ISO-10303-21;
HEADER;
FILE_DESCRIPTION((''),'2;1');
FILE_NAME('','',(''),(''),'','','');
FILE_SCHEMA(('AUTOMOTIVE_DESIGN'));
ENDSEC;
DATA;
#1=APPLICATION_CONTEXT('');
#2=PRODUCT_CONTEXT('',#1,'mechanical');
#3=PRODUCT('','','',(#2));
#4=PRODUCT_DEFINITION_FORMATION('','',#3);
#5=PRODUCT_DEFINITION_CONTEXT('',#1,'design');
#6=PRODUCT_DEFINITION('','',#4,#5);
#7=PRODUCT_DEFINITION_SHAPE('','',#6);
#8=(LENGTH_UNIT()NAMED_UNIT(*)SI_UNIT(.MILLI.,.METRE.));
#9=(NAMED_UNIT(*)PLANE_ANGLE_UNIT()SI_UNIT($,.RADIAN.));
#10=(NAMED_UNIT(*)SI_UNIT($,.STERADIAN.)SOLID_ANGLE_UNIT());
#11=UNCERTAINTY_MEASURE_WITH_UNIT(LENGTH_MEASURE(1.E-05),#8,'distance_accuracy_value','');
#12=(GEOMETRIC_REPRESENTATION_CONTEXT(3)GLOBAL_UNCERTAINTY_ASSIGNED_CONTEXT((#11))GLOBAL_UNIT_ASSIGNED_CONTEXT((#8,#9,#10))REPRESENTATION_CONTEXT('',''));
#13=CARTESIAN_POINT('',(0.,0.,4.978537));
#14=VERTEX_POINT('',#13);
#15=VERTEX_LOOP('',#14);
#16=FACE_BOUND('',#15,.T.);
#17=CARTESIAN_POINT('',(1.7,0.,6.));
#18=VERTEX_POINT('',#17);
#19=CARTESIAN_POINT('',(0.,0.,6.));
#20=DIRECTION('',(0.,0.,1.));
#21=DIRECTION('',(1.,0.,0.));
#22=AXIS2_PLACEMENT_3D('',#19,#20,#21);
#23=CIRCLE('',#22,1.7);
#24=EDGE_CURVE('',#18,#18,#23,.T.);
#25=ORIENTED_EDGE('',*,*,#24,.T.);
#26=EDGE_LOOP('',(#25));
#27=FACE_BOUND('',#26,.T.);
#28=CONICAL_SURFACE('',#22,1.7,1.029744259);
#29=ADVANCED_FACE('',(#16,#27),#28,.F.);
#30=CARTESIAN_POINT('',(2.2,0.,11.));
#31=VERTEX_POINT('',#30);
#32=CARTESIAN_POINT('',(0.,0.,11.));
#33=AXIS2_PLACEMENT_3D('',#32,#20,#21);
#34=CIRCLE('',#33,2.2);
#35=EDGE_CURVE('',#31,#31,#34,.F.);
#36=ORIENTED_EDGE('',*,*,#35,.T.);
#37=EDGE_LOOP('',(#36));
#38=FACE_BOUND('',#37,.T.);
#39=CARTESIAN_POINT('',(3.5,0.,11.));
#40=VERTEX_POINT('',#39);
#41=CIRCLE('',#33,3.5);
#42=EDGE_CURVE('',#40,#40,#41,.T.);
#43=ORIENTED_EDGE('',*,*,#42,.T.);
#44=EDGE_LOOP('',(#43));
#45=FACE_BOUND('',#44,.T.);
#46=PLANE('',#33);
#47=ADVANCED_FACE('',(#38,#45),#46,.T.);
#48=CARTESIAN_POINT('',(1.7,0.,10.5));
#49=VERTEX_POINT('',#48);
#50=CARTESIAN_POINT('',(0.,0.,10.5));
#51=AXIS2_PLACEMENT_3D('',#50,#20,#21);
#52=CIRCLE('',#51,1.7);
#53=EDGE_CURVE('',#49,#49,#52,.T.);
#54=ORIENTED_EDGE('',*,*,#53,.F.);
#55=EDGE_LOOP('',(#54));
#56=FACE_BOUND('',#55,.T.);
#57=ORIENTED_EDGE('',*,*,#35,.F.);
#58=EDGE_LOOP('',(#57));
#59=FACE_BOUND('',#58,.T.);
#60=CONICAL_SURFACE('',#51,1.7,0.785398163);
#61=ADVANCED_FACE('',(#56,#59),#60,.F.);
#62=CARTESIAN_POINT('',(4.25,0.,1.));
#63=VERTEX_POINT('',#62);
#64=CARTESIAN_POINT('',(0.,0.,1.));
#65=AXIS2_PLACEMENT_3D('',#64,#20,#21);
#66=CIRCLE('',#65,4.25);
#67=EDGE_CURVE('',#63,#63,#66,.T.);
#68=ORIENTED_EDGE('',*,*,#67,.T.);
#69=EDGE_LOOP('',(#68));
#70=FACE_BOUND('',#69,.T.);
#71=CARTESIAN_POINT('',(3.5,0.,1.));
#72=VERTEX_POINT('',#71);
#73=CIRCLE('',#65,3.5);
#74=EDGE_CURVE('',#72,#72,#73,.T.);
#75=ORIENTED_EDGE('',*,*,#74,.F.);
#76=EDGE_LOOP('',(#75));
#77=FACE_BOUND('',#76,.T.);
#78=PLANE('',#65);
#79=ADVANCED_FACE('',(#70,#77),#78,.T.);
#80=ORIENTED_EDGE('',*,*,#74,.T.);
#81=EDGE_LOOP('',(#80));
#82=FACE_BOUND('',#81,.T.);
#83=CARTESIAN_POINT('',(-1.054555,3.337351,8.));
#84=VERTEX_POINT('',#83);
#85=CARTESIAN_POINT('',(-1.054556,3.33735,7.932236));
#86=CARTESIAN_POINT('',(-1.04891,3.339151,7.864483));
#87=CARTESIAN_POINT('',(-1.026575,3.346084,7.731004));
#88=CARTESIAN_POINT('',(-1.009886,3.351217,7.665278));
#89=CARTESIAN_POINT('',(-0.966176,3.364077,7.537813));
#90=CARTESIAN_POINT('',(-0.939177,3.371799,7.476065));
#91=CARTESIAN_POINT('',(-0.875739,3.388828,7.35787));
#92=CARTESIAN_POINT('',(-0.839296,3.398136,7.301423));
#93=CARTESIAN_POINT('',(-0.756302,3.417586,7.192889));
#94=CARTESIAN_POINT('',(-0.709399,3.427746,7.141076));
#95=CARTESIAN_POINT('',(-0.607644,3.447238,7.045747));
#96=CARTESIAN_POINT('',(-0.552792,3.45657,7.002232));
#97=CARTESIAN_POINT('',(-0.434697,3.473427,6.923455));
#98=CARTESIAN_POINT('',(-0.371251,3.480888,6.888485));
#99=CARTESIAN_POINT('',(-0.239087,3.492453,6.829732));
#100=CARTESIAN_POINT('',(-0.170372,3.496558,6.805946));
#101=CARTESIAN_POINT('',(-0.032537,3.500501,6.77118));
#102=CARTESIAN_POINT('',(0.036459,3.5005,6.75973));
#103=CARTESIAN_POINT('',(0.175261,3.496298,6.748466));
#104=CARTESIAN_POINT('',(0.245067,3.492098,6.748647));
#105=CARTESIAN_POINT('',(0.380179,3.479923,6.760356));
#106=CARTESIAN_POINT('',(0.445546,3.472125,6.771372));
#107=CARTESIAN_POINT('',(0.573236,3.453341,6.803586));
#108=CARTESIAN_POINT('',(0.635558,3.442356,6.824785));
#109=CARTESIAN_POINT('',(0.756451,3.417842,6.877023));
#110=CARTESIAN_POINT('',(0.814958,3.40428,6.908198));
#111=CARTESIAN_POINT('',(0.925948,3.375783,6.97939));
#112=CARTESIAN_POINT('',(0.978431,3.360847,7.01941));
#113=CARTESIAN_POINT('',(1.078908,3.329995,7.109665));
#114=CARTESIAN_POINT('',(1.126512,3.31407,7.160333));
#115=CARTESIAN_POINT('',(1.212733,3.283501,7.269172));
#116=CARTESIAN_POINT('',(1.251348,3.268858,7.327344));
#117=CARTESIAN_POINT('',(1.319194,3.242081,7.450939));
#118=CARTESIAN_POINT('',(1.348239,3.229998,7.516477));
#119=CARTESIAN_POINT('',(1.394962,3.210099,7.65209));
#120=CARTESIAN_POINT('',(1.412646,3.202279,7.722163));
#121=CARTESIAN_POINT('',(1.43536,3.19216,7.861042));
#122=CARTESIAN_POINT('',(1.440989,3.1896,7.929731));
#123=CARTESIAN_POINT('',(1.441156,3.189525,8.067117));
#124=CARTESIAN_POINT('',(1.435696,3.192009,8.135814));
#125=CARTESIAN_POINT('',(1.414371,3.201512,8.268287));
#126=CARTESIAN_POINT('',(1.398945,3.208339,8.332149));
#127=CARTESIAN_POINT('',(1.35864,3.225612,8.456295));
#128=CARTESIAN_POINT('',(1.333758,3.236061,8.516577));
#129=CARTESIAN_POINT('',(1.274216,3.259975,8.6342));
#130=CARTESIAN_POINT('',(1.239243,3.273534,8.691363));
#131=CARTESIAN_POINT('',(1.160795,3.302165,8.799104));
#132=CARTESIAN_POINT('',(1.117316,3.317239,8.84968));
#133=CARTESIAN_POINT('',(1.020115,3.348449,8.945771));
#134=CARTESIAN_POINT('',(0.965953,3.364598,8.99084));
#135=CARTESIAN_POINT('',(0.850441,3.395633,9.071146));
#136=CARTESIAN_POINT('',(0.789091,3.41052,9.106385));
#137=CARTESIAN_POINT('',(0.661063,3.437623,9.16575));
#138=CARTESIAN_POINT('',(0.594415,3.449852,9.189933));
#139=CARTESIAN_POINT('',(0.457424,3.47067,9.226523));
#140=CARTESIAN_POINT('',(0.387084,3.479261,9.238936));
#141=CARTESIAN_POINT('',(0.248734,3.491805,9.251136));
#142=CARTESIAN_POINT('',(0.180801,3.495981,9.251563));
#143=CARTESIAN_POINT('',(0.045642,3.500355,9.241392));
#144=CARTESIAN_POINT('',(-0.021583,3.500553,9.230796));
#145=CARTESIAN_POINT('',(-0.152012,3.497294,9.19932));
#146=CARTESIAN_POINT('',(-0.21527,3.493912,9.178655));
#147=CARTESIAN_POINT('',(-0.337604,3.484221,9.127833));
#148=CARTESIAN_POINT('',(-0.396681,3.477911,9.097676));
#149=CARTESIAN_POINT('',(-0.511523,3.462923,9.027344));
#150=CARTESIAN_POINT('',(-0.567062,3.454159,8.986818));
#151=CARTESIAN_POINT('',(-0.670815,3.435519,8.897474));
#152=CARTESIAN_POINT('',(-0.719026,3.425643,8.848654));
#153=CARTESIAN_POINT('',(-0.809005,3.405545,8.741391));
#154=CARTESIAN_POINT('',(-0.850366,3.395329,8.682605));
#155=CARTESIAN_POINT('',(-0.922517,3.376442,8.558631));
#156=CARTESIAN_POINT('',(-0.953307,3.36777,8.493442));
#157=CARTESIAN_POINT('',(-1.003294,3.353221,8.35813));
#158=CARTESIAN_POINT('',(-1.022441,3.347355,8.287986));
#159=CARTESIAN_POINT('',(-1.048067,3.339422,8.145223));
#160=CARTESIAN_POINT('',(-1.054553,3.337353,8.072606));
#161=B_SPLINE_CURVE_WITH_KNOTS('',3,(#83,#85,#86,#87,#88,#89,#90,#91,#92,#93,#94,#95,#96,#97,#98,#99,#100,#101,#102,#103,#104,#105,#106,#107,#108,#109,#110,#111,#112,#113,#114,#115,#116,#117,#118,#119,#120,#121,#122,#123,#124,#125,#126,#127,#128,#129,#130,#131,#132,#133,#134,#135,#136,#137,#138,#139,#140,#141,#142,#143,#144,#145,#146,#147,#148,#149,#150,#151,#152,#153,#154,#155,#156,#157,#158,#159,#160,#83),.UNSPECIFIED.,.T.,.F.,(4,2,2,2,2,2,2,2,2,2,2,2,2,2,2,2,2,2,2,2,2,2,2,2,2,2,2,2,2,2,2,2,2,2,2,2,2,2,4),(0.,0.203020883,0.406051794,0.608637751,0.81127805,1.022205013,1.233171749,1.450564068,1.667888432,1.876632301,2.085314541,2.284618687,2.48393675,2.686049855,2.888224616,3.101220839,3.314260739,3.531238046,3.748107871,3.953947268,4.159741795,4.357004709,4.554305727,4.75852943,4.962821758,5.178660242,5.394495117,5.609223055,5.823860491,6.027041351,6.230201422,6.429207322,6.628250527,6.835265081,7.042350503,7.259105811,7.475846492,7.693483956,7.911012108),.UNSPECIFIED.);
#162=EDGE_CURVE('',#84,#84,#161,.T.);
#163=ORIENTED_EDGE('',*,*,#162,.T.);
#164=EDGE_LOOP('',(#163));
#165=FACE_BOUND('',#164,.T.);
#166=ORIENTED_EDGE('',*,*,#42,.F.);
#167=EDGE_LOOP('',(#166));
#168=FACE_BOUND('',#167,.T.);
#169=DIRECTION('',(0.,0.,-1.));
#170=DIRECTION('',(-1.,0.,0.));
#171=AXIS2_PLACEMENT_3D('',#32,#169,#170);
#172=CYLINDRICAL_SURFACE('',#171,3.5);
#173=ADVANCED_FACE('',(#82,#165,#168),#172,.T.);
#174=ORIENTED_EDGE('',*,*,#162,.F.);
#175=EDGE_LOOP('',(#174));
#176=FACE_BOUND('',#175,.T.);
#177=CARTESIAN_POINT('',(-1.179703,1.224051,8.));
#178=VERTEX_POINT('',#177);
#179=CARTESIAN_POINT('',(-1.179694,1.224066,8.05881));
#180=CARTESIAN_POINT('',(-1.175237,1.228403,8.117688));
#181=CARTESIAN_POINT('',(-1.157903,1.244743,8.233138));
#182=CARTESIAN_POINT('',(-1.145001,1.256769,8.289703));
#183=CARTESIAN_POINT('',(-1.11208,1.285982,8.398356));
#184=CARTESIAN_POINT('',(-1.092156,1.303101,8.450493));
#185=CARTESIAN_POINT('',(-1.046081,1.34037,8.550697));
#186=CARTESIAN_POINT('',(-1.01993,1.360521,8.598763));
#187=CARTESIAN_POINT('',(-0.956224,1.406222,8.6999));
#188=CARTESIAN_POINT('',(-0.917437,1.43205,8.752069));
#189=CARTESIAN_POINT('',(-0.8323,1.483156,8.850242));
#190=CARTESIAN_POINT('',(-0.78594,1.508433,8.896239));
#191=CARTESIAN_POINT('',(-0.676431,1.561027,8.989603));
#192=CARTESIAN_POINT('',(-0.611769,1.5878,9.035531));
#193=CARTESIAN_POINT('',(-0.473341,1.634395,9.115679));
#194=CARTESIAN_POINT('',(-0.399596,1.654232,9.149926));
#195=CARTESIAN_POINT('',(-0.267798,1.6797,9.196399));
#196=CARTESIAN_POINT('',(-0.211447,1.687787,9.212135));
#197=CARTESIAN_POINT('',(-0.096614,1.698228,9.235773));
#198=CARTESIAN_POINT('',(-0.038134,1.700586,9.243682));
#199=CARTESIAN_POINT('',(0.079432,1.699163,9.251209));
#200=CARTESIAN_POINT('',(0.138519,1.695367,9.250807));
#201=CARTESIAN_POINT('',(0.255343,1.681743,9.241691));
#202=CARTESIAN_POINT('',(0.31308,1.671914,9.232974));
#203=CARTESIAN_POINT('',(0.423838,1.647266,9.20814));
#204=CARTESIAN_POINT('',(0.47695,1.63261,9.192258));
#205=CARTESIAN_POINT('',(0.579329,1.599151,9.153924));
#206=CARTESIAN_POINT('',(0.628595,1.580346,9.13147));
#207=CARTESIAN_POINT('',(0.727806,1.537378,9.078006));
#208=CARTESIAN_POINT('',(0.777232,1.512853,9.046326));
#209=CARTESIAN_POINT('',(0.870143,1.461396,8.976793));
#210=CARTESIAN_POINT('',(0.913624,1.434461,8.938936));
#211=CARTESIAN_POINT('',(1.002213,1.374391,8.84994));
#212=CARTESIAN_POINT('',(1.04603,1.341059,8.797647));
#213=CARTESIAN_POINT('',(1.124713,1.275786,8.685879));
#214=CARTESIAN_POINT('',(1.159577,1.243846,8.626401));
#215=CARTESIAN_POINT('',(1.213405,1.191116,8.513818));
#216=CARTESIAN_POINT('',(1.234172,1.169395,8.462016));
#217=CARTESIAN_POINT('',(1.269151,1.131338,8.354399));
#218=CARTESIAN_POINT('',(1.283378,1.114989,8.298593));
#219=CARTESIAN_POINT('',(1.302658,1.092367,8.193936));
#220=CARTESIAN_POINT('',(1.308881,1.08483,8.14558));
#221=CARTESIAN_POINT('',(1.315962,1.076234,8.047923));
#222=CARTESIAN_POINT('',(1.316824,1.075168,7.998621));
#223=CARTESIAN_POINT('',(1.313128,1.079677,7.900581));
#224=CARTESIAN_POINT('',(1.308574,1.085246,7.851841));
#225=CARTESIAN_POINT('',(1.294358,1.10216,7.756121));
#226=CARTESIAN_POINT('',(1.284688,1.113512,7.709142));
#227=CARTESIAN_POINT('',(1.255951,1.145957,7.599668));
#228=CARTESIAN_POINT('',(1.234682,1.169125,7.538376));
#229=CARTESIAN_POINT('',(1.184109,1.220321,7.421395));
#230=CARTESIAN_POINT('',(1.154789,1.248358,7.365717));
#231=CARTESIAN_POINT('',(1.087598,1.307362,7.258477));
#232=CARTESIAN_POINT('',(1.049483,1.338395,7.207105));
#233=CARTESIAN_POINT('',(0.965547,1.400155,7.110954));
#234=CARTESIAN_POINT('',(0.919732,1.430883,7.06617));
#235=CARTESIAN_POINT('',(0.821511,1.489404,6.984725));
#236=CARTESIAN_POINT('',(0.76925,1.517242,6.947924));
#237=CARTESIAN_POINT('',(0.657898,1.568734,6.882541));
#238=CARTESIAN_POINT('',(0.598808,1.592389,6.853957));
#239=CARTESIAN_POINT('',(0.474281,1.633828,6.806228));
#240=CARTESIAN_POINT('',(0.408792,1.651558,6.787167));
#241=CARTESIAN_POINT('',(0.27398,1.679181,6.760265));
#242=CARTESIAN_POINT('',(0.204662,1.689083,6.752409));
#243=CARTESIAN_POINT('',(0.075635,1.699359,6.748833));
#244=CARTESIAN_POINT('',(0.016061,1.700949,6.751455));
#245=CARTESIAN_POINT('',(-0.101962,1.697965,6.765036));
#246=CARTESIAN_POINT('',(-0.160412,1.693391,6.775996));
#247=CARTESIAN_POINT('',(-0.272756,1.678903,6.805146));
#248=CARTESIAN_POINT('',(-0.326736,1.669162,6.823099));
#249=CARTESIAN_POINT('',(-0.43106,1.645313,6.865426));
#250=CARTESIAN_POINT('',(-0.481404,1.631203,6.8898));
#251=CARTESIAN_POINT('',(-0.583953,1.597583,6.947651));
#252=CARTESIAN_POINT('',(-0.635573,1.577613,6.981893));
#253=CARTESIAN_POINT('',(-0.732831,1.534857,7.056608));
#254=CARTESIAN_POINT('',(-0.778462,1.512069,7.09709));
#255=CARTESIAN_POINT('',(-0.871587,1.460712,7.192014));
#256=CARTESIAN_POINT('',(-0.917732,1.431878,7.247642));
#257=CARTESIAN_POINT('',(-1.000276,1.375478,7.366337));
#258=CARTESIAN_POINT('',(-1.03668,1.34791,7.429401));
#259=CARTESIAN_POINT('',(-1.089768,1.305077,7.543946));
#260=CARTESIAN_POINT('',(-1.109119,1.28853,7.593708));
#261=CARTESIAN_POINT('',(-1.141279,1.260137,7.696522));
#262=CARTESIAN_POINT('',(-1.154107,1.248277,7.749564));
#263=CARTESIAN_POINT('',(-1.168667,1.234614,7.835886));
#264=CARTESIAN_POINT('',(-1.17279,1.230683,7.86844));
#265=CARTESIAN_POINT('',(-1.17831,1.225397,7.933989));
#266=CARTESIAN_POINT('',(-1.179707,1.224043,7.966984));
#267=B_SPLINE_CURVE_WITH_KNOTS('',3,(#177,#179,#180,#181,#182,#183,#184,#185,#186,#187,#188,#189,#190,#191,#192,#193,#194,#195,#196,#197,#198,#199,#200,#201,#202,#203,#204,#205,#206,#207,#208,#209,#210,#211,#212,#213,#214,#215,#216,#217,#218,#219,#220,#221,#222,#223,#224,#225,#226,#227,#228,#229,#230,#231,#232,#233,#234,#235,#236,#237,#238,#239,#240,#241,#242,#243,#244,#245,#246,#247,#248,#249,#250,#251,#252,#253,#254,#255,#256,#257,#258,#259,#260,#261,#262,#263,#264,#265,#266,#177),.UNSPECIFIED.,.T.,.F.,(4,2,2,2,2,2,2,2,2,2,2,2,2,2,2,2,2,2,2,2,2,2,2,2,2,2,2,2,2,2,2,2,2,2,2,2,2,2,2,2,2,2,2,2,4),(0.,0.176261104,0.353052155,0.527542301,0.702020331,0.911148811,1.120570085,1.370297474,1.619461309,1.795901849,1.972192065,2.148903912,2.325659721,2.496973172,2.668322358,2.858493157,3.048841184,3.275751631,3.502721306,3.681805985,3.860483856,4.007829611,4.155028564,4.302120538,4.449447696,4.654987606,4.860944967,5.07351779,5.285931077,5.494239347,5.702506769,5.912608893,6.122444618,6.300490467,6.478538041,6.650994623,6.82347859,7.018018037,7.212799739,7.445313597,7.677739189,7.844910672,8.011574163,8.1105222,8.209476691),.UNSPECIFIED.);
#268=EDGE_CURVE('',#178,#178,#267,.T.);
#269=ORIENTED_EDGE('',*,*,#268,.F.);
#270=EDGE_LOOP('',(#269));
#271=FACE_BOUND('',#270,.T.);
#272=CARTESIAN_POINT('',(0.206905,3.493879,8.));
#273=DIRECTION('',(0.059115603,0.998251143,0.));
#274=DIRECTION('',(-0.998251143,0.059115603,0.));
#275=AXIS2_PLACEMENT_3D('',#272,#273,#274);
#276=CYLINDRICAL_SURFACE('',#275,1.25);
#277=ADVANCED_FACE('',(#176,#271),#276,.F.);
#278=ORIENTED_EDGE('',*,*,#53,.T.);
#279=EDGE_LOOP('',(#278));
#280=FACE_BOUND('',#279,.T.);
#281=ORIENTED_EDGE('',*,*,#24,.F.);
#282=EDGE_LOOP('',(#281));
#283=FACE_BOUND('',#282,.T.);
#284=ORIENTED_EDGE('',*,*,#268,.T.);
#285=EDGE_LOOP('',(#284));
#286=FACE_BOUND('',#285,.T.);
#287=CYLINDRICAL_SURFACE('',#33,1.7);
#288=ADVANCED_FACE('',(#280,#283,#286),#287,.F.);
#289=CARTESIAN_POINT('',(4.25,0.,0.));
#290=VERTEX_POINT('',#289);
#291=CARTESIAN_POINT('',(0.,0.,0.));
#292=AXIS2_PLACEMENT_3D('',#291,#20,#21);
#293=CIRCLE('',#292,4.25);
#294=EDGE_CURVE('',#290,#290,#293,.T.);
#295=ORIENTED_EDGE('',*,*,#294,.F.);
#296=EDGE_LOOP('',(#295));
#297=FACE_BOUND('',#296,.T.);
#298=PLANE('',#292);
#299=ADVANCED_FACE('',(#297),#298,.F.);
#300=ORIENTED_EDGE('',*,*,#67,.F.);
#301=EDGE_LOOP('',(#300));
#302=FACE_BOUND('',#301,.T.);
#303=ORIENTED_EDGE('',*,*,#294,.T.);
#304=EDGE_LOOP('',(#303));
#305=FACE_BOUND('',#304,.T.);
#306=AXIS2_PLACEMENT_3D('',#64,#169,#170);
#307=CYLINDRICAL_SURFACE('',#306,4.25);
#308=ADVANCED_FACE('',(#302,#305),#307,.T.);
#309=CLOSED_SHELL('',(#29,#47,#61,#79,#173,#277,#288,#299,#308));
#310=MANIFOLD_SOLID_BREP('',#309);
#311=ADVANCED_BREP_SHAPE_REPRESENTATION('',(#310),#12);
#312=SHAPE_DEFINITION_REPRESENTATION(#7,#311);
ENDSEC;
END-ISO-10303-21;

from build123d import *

# Parameters (mm, degrees)
SKETCH_1_R              = 4.25
EXTRUDE_1_DEPTH         = 1
SKETCH_2_R              = 3.5
EXTRUDE_2_DEPTH         = 10
HOLE_WIZARD_M31_D       = 3.4
HOLE_WIZARD_M31_DEPTH   = 5
HOLE_WIZARD_M31_TIP     = 1.021463052
CHAMFER_1_SIZE          = 0.5
HOLE_WIZARD_M31_2_D     = 2.5
HOLE_WIZARD_M31_2_DEPTH = 3
HOLE_WIZARD_M31_2_TIP   = 0.751075774


with BuildPart() as part:
    # Эскиз1 → Бобышка-Вытянуть1 (new body)
    with BuildSketch(Plane.XY):
        Circle(SKETCH_1_R)
    extrude(amount=EXTRUDE_1_DEPTH)

    # Эскиз2 → Бобышка-Вытянуть2 (add)
    with BuildSketch(Plane.XY.offset(1)):
        Circle(SKETCH_2_R)
    extrude(amount=EXTRUDE_2_DEPTH)

    # Hole Wizard M31
    with Locations(Plane.XY.offset(11)):
        with Locations((0, 0)):
            Hole(HOLE_WIZARD_M31_D / 2, depth=HOLE_WIZARD_M31_DEPTH)
            with Locations((0, 0, -(HOLE_WIZARD_M31_DEPTH + HOLE_WIZARD_M31_TIP / 2))):  # 118° drill point
                Cone(0, HOLE_WIZARD_M31_D / 2, HOLE_WIZARD_M31_TIP, mode=Mode.SUBTRACT)

    # Фаска1
    chamfer_1_edges = [part.edges().sort_by_distance(p)[0] for p in [
        (1.7, 0, 11),
    ]]
    chamfer(chamfer_1_edges, length=CHAMFER_1_SIZE)

    # Hole Wizard M31 2
    with Locations(Plane(origin=(0.206904612, 3.493879002, 8), x_dir=(0.998251143468, -0.059115603402, 0), z_dir=(0.059115603402, 0.998251143468, 0))):
        with Locations((0, 0)):
            Hole(HOLE_WIZARD_M31_2_D / 2, depth=HOLE_WIZARD_M31_2_DEPTH)
            with Locations((0, 0, -(HOLE_WIZARD_M31_2_DEPTH + HOLE_WIZARD_M31_2_TIP / 2))):  # 118° drill point
                Cone(0, HOLE_WIZARD_M31_2_D / 2, HOLE_WIZARD_M31_2_TIP, mode=Mode.SUBTRACT)


solid = part.part
